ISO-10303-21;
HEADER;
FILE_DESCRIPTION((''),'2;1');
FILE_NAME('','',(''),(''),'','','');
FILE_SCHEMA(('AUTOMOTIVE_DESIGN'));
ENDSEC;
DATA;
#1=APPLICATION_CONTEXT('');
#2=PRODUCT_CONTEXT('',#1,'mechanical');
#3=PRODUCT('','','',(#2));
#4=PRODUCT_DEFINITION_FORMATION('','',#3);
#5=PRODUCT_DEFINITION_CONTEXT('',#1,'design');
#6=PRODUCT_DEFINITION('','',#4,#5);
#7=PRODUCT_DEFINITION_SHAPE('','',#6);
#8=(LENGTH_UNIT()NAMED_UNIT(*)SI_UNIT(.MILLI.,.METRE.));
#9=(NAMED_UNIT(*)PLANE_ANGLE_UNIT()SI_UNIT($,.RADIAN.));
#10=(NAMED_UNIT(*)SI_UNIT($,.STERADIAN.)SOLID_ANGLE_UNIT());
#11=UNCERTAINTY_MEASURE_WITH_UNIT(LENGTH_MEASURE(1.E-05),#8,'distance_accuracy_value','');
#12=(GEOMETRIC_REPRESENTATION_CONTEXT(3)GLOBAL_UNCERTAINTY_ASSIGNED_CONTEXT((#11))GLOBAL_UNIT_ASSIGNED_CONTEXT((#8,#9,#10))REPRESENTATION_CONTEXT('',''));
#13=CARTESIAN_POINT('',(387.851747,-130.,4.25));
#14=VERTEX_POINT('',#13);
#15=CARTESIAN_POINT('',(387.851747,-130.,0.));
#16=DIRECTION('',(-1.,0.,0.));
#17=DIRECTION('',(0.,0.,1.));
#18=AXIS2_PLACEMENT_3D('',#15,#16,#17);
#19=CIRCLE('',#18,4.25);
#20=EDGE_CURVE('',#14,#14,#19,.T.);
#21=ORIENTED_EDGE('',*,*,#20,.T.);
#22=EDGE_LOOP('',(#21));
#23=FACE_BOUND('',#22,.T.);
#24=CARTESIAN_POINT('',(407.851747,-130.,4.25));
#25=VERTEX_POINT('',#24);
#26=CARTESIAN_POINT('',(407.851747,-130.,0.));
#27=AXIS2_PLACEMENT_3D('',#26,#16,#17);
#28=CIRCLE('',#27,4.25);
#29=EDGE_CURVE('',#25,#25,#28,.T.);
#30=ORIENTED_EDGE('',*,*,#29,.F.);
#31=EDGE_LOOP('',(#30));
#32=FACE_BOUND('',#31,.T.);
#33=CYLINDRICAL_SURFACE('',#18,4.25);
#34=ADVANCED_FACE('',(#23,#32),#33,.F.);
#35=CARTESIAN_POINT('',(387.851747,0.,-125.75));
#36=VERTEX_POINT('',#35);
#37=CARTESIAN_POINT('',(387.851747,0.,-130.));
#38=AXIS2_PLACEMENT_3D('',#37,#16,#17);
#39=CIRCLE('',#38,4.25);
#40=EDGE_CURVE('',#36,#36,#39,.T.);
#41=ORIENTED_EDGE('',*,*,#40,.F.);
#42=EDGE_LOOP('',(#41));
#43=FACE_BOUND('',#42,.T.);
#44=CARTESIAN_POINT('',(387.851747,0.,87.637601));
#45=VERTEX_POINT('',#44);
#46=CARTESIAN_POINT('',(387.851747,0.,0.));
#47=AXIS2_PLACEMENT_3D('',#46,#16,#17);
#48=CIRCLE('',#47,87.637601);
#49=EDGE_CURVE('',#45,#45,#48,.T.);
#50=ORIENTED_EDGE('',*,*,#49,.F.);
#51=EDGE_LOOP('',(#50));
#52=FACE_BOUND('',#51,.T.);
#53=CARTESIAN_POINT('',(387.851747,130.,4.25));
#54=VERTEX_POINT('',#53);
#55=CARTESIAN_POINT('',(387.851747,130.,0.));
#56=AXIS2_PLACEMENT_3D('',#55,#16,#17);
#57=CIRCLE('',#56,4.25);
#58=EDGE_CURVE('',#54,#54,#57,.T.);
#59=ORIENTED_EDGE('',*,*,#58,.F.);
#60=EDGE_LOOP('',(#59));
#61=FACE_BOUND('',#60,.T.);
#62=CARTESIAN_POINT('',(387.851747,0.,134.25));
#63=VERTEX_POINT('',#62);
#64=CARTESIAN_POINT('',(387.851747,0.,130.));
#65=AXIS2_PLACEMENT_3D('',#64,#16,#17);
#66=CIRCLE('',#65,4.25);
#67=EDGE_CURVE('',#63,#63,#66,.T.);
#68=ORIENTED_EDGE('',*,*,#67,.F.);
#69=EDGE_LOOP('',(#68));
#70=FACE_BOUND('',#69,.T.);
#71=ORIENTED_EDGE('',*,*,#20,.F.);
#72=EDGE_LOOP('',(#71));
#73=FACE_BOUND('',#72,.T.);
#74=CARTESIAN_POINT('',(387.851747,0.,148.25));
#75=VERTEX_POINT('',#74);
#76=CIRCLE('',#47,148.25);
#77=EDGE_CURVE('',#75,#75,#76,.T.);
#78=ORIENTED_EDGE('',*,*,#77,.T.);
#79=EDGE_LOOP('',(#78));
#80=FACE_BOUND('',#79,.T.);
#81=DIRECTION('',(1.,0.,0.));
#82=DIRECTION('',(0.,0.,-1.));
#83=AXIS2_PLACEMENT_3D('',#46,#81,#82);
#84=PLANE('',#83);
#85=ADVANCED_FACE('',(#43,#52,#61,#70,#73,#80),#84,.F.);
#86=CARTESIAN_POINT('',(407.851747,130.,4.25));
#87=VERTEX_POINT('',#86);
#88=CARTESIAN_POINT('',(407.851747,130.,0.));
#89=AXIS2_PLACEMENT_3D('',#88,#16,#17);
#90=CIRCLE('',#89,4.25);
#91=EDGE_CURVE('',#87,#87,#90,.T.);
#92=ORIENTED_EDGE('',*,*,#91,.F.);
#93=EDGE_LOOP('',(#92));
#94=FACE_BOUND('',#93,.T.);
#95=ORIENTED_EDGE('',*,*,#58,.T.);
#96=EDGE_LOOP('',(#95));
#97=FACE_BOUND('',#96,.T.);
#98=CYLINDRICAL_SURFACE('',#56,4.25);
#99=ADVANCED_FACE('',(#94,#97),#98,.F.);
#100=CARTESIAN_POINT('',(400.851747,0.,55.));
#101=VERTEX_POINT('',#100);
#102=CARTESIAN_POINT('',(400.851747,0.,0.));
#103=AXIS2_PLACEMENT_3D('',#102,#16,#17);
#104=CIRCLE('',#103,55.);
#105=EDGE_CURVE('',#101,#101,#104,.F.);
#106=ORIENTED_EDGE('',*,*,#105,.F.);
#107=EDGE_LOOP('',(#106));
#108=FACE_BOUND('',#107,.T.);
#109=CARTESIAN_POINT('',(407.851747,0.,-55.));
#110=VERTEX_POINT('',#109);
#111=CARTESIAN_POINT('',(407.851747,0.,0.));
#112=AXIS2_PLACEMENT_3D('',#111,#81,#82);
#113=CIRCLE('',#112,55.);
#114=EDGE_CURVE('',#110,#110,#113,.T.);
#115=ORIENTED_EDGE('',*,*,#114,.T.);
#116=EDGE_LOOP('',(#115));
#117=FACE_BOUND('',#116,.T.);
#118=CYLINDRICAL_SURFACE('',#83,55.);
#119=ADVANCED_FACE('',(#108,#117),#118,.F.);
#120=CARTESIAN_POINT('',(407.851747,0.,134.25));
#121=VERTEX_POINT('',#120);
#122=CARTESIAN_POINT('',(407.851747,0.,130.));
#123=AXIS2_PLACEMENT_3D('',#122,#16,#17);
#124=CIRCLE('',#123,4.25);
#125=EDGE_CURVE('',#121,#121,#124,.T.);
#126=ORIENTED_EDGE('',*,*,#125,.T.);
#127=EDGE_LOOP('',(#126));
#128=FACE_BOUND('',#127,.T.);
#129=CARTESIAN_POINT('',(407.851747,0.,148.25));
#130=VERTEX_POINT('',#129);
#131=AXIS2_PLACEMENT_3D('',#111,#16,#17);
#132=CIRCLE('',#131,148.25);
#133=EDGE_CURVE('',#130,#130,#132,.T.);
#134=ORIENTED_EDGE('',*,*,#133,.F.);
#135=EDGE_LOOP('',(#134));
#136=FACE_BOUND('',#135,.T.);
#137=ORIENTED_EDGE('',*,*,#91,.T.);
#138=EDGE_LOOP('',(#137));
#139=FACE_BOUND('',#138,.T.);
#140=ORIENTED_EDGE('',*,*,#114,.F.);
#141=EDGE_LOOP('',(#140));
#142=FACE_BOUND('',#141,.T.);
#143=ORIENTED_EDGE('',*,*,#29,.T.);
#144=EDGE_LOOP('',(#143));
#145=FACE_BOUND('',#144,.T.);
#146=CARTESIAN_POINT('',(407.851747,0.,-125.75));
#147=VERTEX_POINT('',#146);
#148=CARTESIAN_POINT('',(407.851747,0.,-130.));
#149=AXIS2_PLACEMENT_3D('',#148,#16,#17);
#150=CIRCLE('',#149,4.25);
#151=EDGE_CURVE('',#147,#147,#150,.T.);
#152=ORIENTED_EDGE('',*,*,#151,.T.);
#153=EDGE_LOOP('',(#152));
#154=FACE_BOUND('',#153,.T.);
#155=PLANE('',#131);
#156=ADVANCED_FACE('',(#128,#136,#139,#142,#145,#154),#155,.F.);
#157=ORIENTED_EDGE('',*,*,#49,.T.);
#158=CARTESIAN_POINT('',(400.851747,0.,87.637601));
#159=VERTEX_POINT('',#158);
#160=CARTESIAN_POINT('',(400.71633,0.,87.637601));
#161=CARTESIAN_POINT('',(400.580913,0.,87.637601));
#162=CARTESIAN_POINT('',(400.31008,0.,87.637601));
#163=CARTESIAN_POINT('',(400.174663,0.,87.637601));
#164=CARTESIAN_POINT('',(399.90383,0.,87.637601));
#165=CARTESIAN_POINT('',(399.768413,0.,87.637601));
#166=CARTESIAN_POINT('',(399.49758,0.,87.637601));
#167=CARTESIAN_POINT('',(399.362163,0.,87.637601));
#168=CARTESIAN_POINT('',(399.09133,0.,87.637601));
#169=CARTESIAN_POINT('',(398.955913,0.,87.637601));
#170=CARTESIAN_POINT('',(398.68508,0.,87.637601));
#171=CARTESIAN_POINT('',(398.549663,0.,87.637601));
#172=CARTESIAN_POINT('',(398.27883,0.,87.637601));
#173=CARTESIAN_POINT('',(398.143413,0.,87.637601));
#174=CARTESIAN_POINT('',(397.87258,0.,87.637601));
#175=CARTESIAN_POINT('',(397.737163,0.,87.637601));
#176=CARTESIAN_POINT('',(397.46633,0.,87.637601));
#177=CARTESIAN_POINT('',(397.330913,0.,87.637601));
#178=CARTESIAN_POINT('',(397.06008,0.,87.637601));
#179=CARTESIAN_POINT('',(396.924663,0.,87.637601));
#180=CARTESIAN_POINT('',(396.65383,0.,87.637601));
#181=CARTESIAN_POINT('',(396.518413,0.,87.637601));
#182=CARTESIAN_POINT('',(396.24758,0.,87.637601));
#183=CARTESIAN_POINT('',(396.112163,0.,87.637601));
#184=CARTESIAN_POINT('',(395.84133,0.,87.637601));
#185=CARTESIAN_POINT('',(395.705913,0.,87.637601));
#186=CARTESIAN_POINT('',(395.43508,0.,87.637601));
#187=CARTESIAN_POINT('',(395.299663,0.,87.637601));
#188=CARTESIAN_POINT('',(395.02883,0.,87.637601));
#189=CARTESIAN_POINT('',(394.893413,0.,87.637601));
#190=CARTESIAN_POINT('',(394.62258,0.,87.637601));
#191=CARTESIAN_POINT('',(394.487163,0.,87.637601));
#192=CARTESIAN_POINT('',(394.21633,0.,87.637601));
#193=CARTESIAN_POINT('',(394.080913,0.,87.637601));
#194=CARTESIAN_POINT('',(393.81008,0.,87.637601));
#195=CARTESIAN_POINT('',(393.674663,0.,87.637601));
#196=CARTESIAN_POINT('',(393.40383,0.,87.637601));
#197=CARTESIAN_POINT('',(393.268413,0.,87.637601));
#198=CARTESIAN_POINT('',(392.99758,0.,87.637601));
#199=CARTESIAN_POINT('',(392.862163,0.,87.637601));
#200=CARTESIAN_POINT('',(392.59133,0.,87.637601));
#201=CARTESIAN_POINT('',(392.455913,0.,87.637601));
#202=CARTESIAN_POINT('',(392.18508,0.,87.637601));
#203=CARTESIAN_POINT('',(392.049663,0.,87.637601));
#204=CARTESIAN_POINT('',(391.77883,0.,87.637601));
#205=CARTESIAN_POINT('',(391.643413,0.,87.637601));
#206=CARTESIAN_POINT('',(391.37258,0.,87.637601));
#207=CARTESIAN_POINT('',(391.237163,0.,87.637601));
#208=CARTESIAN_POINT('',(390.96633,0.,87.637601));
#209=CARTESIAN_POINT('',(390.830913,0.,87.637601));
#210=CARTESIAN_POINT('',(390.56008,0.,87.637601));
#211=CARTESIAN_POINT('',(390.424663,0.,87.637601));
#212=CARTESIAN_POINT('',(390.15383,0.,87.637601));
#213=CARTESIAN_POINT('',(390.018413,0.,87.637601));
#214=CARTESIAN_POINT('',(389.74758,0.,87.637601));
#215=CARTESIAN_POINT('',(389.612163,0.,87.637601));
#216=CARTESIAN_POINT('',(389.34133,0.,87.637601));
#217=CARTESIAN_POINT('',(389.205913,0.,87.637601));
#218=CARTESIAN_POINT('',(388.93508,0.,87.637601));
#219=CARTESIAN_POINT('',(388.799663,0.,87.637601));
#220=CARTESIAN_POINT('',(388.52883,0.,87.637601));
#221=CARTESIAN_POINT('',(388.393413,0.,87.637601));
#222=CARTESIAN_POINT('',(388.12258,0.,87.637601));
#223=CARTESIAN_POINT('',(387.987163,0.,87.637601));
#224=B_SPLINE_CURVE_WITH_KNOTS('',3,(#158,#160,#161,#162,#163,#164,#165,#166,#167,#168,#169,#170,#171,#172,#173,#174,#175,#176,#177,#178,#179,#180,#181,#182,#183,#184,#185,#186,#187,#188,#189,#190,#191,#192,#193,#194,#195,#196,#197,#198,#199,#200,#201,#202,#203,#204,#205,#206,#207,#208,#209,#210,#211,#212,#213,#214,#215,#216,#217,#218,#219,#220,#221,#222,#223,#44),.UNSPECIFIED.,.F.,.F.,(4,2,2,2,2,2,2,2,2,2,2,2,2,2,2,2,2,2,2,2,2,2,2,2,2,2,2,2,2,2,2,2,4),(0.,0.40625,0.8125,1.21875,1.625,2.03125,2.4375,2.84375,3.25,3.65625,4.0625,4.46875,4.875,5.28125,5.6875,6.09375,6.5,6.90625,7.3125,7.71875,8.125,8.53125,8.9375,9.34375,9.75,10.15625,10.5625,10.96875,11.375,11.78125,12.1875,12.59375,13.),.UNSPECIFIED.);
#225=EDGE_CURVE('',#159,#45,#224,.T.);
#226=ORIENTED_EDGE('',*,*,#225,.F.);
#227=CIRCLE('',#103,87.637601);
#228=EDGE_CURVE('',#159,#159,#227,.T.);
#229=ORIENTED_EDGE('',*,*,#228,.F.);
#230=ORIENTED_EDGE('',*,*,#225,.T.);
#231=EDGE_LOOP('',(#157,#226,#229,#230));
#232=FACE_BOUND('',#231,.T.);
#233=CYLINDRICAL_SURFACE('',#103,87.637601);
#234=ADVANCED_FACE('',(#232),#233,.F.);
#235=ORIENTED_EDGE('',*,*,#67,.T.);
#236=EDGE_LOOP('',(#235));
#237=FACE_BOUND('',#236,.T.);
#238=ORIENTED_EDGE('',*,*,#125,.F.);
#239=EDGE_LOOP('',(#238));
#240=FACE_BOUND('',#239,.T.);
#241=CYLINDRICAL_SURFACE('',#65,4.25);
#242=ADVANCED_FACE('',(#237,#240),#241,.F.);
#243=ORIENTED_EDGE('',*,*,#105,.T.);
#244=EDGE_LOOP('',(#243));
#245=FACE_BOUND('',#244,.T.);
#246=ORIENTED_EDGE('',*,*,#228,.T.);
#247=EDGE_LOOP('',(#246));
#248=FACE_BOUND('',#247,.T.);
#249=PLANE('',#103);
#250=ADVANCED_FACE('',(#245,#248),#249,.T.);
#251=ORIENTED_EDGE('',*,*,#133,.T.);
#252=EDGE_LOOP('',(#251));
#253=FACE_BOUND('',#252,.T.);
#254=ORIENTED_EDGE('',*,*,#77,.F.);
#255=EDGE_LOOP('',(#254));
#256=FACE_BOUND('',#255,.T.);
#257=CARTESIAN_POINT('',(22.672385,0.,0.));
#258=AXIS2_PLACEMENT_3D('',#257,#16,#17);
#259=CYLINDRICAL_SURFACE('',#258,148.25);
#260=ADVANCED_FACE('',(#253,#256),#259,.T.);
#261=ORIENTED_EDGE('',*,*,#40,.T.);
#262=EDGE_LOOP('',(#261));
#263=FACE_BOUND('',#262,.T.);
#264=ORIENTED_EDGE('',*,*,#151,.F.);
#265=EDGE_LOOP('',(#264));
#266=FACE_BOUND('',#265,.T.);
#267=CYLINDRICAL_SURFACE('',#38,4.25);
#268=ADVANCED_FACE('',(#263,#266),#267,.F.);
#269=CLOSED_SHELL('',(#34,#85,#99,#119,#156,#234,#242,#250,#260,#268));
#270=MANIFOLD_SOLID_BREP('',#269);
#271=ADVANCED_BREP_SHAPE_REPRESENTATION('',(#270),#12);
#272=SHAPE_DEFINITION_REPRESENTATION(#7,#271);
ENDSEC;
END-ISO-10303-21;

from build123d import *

# Parameters (mm, degrees)
ESQUISSE1_W             = 20
ESQUISSE1_H             = 148.25
ESQUISSE2_R             = 55
ENL_V_MAT_EXTRU_1_DEPTH = 211.608938557
ESQUISSE3_R             = 87.63760146
ENL_V_MAT_EXTRU_2_DEPTH = 13
TROU_TARAUD_M101_D      = 8.5


with BuildPart() as part:
    # Esquisse1 → Révolution1 (revolve)
    with BuildSketch(Plane.XY, mode=Mode.PRIVATE) as r_volution1_sk:
        with Locations((397.851746626, 74.125)):
            Rectangle(ESQUISSE1_W, ESQUISSE1_H)
    revolve(r_volution1_sk.sketch.rotate(Axis((22.672384616, 0, 0), (1, 0, 0)), 90), axis=Axis((22.672384616, 0, 0), (1, 0, 0)))

    # Esquisse2 → Enlèv. mat.-Extru.1 (cut, through all)
    with BuildSketch(Plane(origin=(407.851746626, 0, 0), x_dir=(0, 0, -1), z_dir=(1, 0, 0))):
        Circle(ESQUISSE2_R)
    extrude(amount=-ENL_V_MAT_EXTRU_1_DEPTH, mode=Mode.SUBTRACT)

    # Esquisse3 → Enlèv. mat.-Extru.2 (cut)
    with BuildSketch(Plane.ZY.offset(-387.851746626)):
        Circle(ESQUISSE3_R)
    extrude(amount=-ENL_V_MAT_EXTRU_2_DEPTH, mode=Mode.SUBTRACT)

    # Trou taraudé M101 (through all)
    with Locations(Plane(origin=(387.851746626, 130, 0), x_dir=(0, 0, -1), z_dir=(-1, 0, 0))):
        with Locations((0, 0), (130, 130), (0, 260), (-130, 130)):
            Hole(TROU_TARAUD_M101_D / 2)


solid = part.part
